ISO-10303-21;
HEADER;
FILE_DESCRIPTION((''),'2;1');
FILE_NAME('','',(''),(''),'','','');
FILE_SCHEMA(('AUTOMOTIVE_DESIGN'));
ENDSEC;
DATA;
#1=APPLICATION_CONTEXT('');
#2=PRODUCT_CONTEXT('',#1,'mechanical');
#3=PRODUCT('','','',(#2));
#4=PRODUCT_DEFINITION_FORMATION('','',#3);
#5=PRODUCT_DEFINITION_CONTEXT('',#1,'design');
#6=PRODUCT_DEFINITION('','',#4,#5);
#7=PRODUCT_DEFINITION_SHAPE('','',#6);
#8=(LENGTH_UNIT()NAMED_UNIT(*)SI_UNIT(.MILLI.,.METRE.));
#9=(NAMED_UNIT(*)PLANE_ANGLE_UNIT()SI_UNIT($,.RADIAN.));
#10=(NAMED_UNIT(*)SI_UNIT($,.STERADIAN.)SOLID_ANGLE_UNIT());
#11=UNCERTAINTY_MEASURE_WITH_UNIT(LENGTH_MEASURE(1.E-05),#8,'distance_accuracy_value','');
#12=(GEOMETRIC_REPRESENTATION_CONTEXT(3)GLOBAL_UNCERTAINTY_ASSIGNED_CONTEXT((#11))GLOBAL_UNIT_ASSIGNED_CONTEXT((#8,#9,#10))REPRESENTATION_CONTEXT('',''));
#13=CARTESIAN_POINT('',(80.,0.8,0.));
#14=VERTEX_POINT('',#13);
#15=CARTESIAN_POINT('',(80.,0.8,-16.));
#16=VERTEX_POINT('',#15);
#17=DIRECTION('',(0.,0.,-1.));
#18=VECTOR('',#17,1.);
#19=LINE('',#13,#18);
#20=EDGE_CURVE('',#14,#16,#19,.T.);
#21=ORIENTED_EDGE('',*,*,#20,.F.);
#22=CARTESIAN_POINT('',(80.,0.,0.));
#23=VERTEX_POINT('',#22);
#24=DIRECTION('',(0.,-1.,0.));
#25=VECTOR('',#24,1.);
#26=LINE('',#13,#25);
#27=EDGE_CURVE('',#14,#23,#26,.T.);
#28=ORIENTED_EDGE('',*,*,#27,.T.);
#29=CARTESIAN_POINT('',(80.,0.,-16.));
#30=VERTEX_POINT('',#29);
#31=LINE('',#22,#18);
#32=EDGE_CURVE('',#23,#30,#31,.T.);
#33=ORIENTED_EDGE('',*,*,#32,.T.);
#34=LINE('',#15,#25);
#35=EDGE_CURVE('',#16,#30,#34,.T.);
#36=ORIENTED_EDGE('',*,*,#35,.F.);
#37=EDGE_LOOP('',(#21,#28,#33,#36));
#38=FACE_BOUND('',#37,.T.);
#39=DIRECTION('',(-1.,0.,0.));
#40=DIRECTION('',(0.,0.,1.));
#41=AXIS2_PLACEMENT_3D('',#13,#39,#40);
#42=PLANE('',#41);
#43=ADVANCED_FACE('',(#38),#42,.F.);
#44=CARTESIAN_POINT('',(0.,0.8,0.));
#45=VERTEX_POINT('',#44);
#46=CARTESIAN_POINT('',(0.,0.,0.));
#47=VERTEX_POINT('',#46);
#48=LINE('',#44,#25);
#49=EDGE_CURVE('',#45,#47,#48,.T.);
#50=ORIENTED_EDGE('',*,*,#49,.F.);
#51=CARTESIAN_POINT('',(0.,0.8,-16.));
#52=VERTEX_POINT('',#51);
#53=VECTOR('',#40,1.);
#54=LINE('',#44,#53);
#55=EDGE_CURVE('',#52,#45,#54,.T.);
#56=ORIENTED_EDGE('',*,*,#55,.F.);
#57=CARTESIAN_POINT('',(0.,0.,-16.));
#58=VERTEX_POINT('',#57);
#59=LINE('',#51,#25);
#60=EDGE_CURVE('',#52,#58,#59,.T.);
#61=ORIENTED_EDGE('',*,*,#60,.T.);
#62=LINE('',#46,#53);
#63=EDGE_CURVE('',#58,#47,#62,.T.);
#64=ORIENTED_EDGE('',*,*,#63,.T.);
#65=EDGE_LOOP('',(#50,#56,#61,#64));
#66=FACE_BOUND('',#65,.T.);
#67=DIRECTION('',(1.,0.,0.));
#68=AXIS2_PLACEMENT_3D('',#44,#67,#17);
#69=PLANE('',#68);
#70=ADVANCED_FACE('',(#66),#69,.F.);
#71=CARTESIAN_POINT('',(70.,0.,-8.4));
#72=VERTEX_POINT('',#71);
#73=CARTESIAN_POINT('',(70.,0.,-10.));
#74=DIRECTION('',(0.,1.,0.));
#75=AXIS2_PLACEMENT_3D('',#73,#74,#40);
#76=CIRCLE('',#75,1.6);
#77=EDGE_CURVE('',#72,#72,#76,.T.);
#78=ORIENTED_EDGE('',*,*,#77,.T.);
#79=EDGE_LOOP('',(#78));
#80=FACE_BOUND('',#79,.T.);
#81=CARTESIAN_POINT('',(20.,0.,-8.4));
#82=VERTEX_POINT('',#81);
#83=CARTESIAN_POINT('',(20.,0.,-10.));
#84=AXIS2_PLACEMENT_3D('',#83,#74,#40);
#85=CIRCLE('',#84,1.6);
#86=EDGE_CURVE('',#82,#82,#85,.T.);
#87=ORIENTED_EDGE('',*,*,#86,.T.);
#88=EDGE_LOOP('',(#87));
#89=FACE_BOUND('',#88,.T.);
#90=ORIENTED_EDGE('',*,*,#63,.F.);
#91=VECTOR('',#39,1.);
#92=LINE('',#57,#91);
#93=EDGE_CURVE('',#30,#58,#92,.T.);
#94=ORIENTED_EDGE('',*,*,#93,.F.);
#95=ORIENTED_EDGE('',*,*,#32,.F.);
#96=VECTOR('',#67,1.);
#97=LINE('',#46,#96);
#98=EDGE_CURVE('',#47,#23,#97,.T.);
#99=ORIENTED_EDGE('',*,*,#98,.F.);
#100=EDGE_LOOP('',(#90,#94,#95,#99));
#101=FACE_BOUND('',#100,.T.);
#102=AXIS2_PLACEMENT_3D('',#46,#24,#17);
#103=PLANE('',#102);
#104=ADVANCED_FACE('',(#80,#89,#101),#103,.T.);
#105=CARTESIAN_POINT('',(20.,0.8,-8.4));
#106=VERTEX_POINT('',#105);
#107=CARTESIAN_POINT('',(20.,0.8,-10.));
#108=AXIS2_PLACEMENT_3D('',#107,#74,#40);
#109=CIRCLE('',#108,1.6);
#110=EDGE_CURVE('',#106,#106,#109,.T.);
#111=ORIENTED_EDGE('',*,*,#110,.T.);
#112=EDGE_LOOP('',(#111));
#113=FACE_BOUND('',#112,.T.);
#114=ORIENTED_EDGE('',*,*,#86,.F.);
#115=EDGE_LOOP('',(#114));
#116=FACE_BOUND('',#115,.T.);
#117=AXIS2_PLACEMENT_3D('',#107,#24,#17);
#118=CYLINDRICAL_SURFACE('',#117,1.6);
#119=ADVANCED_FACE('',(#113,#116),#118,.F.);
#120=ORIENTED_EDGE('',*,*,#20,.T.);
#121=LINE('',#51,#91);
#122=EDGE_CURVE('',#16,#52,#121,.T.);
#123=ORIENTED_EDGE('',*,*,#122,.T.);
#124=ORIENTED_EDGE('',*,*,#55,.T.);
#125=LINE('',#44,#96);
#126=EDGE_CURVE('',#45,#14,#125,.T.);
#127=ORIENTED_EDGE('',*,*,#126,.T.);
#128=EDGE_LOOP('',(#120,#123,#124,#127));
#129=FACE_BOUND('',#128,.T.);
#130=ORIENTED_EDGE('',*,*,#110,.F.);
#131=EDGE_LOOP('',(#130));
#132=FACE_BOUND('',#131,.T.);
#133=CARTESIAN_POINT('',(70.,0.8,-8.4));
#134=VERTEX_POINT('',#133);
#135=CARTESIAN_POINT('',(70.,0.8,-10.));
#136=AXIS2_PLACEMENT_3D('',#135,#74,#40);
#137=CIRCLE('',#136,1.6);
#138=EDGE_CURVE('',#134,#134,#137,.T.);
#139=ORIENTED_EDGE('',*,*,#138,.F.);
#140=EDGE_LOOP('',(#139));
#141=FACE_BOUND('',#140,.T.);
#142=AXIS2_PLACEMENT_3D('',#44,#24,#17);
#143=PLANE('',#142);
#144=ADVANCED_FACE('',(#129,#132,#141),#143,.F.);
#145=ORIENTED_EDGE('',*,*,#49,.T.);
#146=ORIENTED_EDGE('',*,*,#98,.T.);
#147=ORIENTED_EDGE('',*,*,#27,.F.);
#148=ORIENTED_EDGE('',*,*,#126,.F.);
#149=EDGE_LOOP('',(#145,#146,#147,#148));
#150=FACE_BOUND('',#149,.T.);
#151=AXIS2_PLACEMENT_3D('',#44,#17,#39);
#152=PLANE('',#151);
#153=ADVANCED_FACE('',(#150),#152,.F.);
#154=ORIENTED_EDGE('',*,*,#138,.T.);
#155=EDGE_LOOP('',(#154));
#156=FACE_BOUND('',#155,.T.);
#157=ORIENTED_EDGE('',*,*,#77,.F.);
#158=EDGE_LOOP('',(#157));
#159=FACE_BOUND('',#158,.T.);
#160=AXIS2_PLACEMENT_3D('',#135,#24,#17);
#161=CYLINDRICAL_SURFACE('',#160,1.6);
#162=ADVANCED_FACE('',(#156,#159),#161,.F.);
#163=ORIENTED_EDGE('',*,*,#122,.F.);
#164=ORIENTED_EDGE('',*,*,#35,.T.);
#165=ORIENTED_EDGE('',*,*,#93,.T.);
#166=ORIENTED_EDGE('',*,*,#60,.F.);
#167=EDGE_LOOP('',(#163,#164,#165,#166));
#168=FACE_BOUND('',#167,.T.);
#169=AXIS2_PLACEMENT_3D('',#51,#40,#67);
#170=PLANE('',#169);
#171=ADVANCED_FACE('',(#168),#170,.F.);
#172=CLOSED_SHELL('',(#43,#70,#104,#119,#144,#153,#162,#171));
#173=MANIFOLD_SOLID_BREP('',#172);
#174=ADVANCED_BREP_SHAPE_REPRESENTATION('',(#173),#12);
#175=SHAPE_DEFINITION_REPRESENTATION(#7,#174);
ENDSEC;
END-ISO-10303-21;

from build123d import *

# Parameters (mm, degrees)
SKETCH1_W           = 80
SKETCH1_H           = 16
SKETCH1_R           = 1.6
BOSS_EXTRUDE1_DEPTH = 0.8


with BuildPart() as part:
    # Sketch1 → Boss-Extrude1 (new body)
    with BuildSketch(Plane(origin=(0, 0, 0), x_dir=(1, 0, 0), z_dir=(0, 1, 0))):
        with Locations((40, 8)):
            Rectangle(SKETCH1_W, SKETCH1_H)
        with Locations((20, 10)):
            Circle(SKETCH1_R, mode=Mode.SUBTRACT)
        with Locations((70, 10)):
            Circle(SKETCH1_R, mode=Mode.SUBTRACT)
    extrude(amount=BOSS_EXTRUDE1_DEPTH)


solid = part.part
